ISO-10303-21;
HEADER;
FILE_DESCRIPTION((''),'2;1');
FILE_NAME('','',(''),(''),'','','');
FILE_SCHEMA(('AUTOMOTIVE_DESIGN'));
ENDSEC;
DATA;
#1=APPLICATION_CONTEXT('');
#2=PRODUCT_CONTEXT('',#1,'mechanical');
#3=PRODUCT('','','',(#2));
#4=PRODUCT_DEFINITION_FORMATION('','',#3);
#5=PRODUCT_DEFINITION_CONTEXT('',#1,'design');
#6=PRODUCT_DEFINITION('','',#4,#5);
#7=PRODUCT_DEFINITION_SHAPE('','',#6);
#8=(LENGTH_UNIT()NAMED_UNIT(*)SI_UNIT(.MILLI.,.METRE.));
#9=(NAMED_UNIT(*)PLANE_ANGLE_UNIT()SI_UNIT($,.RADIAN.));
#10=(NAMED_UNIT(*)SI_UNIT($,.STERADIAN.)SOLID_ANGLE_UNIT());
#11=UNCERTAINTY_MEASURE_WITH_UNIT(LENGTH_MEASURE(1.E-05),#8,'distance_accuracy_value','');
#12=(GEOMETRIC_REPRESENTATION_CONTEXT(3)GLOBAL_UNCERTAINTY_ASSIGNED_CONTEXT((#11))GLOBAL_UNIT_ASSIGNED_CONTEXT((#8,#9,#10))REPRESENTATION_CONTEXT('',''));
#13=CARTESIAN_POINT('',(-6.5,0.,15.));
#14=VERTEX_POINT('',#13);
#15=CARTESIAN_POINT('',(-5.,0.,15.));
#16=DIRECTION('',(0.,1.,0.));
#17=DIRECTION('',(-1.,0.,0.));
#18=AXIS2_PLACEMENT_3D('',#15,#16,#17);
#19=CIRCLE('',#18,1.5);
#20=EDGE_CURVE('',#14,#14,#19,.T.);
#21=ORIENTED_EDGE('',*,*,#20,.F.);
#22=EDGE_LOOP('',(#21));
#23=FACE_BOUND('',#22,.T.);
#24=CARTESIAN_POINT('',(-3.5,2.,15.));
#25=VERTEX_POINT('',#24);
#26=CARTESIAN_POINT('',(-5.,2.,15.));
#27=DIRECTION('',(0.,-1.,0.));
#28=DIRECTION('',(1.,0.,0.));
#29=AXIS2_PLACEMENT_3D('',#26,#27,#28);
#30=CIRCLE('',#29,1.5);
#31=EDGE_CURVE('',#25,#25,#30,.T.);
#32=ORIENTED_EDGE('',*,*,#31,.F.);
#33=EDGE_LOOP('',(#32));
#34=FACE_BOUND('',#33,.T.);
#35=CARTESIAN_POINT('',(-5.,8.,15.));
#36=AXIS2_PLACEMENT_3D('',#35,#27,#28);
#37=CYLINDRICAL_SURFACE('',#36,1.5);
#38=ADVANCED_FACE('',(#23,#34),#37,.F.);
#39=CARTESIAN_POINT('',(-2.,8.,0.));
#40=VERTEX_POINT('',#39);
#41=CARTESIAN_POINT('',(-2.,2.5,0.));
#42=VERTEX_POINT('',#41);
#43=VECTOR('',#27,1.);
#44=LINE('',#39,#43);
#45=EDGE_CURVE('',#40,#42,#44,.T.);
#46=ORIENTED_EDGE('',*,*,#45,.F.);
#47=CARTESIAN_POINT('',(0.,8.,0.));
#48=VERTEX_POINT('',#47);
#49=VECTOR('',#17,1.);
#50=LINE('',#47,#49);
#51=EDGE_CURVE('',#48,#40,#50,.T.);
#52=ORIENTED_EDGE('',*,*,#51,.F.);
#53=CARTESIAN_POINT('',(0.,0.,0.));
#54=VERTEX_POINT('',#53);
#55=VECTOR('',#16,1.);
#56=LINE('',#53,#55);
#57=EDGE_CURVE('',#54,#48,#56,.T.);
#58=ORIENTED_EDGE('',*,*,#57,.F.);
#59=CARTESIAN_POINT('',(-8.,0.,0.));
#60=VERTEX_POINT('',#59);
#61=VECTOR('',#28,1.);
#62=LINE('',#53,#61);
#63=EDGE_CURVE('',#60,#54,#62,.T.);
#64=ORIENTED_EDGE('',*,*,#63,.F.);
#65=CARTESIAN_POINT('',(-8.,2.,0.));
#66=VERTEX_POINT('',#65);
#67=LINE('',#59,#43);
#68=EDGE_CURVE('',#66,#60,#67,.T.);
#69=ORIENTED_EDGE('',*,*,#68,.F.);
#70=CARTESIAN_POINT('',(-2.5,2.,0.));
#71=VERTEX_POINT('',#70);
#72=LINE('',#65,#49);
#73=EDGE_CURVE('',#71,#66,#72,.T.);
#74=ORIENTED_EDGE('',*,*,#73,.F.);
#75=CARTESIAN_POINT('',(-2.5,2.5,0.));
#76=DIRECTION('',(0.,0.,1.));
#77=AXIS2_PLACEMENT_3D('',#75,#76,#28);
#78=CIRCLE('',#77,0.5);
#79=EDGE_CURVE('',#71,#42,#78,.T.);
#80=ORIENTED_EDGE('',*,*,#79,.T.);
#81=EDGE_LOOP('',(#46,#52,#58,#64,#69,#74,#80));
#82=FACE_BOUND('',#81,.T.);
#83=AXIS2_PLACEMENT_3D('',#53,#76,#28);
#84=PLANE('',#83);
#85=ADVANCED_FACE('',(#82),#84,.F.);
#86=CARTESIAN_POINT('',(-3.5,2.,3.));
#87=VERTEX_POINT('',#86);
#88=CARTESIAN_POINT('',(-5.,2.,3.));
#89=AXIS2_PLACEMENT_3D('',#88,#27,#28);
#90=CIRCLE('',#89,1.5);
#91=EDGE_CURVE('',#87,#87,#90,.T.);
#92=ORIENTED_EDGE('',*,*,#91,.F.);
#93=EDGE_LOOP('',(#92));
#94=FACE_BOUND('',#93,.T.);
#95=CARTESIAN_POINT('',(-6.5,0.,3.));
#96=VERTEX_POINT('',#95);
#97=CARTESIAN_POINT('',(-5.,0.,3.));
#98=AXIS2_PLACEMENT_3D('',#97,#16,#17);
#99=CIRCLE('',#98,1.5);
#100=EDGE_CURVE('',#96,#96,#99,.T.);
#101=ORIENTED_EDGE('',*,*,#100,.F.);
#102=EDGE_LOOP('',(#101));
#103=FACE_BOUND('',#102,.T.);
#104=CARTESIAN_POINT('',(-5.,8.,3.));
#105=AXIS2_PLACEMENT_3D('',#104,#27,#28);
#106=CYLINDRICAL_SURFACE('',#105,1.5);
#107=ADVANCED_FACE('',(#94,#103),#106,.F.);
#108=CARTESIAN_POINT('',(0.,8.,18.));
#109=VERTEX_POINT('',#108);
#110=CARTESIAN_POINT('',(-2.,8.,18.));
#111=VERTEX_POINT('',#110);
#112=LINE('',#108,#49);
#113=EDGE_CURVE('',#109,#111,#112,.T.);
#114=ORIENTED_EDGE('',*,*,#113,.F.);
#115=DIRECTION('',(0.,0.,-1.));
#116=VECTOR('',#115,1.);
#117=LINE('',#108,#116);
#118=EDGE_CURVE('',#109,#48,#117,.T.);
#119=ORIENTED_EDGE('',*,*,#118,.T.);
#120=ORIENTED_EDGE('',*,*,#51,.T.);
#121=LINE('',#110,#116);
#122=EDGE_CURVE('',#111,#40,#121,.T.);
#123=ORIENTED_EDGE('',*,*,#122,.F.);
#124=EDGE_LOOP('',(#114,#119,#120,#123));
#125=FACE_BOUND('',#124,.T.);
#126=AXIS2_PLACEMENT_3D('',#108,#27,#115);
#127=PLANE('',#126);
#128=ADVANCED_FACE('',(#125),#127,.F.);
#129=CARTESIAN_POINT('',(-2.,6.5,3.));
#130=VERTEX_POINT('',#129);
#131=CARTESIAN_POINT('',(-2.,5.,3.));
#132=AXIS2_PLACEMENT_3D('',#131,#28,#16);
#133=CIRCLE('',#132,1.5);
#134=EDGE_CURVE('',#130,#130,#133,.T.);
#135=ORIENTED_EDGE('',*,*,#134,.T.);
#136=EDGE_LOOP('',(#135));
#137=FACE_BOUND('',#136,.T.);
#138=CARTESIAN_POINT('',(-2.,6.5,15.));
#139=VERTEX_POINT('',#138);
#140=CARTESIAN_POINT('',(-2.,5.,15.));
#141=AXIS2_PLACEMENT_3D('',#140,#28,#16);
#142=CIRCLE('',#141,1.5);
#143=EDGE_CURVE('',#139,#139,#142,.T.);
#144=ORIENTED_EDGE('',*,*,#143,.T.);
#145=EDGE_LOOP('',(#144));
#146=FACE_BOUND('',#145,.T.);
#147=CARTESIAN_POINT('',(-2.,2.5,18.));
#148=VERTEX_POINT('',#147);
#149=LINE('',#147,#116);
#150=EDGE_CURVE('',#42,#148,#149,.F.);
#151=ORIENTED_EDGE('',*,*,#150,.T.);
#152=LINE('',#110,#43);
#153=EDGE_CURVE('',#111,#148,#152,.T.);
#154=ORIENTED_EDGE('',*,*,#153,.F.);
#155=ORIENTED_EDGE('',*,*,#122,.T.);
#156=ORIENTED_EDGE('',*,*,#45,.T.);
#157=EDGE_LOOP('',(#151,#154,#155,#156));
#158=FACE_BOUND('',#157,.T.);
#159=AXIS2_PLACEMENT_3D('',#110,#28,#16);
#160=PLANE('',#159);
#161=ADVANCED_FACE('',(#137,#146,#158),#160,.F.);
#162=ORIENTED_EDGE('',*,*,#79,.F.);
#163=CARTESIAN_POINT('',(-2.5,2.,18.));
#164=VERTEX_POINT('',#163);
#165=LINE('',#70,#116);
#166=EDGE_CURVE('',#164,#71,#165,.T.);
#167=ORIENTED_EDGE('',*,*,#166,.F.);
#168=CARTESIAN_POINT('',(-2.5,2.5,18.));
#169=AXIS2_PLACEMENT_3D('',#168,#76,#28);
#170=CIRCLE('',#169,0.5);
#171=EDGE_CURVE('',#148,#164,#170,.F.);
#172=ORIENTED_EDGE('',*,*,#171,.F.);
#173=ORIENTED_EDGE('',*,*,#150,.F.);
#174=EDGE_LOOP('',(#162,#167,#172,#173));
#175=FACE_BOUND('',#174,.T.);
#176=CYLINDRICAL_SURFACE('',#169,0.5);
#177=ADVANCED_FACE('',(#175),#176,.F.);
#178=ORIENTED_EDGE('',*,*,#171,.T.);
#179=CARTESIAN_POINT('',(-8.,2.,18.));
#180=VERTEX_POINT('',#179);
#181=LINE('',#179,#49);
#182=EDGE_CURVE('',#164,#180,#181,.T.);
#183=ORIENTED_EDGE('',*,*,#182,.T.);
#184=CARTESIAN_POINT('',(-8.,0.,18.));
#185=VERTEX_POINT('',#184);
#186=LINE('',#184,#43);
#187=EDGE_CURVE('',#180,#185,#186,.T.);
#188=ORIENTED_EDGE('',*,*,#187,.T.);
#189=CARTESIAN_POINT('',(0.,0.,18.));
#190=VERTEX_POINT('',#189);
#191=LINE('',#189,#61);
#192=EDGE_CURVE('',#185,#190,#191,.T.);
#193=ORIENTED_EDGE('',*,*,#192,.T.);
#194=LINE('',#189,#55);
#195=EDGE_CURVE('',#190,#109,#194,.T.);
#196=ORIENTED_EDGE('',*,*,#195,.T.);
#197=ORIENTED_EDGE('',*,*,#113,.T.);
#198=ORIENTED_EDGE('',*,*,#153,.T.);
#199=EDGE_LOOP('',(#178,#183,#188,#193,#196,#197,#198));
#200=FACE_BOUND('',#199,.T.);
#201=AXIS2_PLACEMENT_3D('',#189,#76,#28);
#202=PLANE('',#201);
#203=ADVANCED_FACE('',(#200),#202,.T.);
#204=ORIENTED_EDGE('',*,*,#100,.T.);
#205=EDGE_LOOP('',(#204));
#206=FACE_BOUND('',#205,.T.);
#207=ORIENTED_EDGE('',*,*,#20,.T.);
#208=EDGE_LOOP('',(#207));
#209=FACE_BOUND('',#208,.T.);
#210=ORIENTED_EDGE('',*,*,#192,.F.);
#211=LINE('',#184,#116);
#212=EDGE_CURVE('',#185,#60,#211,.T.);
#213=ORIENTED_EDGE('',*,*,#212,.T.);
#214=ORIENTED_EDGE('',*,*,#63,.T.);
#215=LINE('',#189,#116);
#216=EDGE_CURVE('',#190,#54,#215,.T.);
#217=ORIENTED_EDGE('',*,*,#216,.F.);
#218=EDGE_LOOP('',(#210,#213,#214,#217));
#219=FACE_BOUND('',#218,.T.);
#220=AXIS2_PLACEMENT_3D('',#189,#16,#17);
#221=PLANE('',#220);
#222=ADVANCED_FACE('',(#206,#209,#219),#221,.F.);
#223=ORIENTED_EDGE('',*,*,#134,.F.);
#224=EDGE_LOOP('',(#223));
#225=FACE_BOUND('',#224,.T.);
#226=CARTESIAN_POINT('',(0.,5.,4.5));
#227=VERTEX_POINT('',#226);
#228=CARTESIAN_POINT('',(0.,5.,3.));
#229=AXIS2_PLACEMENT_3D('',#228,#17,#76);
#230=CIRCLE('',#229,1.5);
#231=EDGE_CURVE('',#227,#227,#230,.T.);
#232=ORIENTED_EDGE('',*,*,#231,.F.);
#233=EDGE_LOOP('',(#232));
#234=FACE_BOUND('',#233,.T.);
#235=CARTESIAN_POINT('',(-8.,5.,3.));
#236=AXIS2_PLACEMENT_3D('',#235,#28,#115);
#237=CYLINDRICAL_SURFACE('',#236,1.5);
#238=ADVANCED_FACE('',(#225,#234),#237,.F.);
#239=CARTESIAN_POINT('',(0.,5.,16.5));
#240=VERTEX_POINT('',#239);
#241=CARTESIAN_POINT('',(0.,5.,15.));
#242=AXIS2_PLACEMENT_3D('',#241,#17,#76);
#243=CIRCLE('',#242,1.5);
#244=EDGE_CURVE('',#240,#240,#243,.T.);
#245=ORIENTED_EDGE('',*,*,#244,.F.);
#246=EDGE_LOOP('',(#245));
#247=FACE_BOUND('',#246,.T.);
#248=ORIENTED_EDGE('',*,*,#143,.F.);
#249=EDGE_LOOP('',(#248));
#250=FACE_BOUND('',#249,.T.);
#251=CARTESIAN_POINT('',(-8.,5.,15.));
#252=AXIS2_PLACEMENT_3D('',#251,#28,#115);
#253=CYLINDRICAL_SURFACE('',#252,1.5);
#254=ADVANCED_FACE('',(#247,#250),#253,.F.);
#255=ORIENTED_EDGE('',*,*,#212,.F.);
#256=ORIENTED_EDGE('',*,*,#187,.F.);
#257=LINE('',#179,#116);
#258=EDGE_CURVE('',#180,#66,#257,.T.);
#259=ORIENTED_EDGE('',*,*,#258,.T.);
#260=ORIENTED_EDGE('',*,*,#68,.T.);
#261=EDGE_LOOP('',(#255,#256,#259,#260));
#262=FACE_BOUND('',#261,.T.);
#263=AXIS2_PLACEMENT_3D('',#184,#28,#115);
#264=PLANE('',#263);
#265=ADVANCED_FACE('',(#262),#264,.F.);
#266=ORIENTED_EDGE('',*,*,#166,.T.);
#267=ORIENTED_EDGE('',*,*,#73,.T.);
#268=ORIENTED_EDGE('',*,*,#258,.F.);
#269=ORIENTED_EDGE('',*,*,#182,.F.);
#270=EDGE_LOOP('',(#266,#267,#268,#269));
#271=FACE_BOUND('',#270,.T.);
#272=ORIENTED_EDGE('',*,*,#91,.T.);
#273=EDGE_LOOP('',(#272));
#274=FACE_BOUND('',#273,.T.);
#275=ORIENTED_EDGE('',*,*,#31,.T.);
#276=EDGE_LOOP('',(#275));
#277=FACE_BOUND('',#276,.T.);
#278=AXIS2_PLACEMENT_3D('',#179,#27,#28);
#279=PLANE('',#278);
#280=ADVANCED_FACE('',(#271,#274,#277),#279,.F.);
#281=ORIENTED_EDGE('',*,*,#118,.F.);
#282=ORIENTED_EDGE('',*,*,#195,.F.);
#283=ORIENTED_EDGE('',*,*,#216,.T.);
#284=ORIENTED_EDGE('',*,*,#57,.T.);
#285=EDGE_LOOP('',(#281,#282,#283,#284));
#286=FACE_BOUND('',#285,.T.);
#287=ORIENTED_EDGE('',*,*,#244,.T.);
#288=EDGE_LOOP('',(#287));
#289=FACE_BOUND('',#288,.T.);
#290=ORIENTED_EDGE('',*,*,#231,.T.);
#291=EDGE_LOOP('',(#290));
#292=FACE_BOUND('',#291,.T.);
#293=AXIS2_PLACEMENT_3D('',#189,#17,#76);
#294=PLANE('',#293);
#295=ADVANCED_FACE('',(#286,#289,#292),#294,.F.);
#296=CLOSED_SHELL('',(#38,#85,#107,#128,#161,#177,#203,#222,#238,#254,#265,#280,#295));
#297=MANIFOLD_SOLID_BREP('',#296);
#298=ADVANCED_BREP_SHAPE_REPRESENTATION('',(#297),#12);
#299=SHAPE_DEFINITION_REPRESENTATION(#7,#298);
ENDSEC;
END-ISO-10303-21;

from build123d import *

# Parameters (mm, degrees)
BOSS_EXTRUDE1_DEPTH     = 18
CUT_EXTRUDE1_DEPTH      = 22.260291625
CUT_EXTRUDE1_DEPTH_BACK = 22.260291625
SKETCH2_R               = 1.5
CUT_EXTRUDE2_DEPTH      = 22.260291625
CUT_EXTRUDE2_DEPTH_BACK = 22.260291625
SKETCH3_R               = 1.5
FILLET1_R               = 0.5


with BuildPart() as part:
    # Sketch1 → Boss-Extrude1 (new body)
    with BuildSketch(Plane.XY):
        Polygon((0, 0), (-8, 0), (-8, 2), (-2, 2), (-2, 8), (0, 8), align=None)
    extrude(amount=BOSS_EXTRUDE1_DEPTH)

    # Sketch2 → Cut-Extrude1 (cut, two sides: drawn at the far end of the back side and taken through both)
    with BuildSketch(Plane(origin=(0, 0, 0), x_dir=(0, 0, -1), z_dir=(1, 0, 0)).offset(-CUT_EXTRUDE1_DEPTH_BACK)):
        with Locations(Location((-15, 5, 0), (0, 0, 90))):
            Circle(SKETCH2_R)
        with Locations(Location((-3, 5, 0), (0, 0, 90))):
            Circle(SKETCH2_R)
    extrude(amount=CUT_EXTRUDE1_DEPTH + CUT_EXTRUDE1_DEPTH_BACK, mode=Mode.SUBTRACT)

    # Sketch3 → Cut-Extrude2 (cut, two sides: drawn at the far end of the back side and taken through both)
    with BuildSketch(Plane.XZ.offset(-CUT_EXTRUDE2_DEPTH_BACK)):
        with Locations((-5, 15)):
            Circle(SKETCH3_R)
        with Locations((-5, 3)):
            Circle(SKETCH3_R)
    extrude(amount=CUT_EXTRUDE2_DEPTH + CUT_EXTRUDE2_DEPTH_BACK, mode=Mode.SUBTRACT)

    # Fillet1
    fillet1_edges = [part.edges().sort_by_distance(p)[0] for p in [
        (-2, 2, 9),
    ]]
    fillet(fillet1_edges, radius=FILLET1_R)


solid = part.part
